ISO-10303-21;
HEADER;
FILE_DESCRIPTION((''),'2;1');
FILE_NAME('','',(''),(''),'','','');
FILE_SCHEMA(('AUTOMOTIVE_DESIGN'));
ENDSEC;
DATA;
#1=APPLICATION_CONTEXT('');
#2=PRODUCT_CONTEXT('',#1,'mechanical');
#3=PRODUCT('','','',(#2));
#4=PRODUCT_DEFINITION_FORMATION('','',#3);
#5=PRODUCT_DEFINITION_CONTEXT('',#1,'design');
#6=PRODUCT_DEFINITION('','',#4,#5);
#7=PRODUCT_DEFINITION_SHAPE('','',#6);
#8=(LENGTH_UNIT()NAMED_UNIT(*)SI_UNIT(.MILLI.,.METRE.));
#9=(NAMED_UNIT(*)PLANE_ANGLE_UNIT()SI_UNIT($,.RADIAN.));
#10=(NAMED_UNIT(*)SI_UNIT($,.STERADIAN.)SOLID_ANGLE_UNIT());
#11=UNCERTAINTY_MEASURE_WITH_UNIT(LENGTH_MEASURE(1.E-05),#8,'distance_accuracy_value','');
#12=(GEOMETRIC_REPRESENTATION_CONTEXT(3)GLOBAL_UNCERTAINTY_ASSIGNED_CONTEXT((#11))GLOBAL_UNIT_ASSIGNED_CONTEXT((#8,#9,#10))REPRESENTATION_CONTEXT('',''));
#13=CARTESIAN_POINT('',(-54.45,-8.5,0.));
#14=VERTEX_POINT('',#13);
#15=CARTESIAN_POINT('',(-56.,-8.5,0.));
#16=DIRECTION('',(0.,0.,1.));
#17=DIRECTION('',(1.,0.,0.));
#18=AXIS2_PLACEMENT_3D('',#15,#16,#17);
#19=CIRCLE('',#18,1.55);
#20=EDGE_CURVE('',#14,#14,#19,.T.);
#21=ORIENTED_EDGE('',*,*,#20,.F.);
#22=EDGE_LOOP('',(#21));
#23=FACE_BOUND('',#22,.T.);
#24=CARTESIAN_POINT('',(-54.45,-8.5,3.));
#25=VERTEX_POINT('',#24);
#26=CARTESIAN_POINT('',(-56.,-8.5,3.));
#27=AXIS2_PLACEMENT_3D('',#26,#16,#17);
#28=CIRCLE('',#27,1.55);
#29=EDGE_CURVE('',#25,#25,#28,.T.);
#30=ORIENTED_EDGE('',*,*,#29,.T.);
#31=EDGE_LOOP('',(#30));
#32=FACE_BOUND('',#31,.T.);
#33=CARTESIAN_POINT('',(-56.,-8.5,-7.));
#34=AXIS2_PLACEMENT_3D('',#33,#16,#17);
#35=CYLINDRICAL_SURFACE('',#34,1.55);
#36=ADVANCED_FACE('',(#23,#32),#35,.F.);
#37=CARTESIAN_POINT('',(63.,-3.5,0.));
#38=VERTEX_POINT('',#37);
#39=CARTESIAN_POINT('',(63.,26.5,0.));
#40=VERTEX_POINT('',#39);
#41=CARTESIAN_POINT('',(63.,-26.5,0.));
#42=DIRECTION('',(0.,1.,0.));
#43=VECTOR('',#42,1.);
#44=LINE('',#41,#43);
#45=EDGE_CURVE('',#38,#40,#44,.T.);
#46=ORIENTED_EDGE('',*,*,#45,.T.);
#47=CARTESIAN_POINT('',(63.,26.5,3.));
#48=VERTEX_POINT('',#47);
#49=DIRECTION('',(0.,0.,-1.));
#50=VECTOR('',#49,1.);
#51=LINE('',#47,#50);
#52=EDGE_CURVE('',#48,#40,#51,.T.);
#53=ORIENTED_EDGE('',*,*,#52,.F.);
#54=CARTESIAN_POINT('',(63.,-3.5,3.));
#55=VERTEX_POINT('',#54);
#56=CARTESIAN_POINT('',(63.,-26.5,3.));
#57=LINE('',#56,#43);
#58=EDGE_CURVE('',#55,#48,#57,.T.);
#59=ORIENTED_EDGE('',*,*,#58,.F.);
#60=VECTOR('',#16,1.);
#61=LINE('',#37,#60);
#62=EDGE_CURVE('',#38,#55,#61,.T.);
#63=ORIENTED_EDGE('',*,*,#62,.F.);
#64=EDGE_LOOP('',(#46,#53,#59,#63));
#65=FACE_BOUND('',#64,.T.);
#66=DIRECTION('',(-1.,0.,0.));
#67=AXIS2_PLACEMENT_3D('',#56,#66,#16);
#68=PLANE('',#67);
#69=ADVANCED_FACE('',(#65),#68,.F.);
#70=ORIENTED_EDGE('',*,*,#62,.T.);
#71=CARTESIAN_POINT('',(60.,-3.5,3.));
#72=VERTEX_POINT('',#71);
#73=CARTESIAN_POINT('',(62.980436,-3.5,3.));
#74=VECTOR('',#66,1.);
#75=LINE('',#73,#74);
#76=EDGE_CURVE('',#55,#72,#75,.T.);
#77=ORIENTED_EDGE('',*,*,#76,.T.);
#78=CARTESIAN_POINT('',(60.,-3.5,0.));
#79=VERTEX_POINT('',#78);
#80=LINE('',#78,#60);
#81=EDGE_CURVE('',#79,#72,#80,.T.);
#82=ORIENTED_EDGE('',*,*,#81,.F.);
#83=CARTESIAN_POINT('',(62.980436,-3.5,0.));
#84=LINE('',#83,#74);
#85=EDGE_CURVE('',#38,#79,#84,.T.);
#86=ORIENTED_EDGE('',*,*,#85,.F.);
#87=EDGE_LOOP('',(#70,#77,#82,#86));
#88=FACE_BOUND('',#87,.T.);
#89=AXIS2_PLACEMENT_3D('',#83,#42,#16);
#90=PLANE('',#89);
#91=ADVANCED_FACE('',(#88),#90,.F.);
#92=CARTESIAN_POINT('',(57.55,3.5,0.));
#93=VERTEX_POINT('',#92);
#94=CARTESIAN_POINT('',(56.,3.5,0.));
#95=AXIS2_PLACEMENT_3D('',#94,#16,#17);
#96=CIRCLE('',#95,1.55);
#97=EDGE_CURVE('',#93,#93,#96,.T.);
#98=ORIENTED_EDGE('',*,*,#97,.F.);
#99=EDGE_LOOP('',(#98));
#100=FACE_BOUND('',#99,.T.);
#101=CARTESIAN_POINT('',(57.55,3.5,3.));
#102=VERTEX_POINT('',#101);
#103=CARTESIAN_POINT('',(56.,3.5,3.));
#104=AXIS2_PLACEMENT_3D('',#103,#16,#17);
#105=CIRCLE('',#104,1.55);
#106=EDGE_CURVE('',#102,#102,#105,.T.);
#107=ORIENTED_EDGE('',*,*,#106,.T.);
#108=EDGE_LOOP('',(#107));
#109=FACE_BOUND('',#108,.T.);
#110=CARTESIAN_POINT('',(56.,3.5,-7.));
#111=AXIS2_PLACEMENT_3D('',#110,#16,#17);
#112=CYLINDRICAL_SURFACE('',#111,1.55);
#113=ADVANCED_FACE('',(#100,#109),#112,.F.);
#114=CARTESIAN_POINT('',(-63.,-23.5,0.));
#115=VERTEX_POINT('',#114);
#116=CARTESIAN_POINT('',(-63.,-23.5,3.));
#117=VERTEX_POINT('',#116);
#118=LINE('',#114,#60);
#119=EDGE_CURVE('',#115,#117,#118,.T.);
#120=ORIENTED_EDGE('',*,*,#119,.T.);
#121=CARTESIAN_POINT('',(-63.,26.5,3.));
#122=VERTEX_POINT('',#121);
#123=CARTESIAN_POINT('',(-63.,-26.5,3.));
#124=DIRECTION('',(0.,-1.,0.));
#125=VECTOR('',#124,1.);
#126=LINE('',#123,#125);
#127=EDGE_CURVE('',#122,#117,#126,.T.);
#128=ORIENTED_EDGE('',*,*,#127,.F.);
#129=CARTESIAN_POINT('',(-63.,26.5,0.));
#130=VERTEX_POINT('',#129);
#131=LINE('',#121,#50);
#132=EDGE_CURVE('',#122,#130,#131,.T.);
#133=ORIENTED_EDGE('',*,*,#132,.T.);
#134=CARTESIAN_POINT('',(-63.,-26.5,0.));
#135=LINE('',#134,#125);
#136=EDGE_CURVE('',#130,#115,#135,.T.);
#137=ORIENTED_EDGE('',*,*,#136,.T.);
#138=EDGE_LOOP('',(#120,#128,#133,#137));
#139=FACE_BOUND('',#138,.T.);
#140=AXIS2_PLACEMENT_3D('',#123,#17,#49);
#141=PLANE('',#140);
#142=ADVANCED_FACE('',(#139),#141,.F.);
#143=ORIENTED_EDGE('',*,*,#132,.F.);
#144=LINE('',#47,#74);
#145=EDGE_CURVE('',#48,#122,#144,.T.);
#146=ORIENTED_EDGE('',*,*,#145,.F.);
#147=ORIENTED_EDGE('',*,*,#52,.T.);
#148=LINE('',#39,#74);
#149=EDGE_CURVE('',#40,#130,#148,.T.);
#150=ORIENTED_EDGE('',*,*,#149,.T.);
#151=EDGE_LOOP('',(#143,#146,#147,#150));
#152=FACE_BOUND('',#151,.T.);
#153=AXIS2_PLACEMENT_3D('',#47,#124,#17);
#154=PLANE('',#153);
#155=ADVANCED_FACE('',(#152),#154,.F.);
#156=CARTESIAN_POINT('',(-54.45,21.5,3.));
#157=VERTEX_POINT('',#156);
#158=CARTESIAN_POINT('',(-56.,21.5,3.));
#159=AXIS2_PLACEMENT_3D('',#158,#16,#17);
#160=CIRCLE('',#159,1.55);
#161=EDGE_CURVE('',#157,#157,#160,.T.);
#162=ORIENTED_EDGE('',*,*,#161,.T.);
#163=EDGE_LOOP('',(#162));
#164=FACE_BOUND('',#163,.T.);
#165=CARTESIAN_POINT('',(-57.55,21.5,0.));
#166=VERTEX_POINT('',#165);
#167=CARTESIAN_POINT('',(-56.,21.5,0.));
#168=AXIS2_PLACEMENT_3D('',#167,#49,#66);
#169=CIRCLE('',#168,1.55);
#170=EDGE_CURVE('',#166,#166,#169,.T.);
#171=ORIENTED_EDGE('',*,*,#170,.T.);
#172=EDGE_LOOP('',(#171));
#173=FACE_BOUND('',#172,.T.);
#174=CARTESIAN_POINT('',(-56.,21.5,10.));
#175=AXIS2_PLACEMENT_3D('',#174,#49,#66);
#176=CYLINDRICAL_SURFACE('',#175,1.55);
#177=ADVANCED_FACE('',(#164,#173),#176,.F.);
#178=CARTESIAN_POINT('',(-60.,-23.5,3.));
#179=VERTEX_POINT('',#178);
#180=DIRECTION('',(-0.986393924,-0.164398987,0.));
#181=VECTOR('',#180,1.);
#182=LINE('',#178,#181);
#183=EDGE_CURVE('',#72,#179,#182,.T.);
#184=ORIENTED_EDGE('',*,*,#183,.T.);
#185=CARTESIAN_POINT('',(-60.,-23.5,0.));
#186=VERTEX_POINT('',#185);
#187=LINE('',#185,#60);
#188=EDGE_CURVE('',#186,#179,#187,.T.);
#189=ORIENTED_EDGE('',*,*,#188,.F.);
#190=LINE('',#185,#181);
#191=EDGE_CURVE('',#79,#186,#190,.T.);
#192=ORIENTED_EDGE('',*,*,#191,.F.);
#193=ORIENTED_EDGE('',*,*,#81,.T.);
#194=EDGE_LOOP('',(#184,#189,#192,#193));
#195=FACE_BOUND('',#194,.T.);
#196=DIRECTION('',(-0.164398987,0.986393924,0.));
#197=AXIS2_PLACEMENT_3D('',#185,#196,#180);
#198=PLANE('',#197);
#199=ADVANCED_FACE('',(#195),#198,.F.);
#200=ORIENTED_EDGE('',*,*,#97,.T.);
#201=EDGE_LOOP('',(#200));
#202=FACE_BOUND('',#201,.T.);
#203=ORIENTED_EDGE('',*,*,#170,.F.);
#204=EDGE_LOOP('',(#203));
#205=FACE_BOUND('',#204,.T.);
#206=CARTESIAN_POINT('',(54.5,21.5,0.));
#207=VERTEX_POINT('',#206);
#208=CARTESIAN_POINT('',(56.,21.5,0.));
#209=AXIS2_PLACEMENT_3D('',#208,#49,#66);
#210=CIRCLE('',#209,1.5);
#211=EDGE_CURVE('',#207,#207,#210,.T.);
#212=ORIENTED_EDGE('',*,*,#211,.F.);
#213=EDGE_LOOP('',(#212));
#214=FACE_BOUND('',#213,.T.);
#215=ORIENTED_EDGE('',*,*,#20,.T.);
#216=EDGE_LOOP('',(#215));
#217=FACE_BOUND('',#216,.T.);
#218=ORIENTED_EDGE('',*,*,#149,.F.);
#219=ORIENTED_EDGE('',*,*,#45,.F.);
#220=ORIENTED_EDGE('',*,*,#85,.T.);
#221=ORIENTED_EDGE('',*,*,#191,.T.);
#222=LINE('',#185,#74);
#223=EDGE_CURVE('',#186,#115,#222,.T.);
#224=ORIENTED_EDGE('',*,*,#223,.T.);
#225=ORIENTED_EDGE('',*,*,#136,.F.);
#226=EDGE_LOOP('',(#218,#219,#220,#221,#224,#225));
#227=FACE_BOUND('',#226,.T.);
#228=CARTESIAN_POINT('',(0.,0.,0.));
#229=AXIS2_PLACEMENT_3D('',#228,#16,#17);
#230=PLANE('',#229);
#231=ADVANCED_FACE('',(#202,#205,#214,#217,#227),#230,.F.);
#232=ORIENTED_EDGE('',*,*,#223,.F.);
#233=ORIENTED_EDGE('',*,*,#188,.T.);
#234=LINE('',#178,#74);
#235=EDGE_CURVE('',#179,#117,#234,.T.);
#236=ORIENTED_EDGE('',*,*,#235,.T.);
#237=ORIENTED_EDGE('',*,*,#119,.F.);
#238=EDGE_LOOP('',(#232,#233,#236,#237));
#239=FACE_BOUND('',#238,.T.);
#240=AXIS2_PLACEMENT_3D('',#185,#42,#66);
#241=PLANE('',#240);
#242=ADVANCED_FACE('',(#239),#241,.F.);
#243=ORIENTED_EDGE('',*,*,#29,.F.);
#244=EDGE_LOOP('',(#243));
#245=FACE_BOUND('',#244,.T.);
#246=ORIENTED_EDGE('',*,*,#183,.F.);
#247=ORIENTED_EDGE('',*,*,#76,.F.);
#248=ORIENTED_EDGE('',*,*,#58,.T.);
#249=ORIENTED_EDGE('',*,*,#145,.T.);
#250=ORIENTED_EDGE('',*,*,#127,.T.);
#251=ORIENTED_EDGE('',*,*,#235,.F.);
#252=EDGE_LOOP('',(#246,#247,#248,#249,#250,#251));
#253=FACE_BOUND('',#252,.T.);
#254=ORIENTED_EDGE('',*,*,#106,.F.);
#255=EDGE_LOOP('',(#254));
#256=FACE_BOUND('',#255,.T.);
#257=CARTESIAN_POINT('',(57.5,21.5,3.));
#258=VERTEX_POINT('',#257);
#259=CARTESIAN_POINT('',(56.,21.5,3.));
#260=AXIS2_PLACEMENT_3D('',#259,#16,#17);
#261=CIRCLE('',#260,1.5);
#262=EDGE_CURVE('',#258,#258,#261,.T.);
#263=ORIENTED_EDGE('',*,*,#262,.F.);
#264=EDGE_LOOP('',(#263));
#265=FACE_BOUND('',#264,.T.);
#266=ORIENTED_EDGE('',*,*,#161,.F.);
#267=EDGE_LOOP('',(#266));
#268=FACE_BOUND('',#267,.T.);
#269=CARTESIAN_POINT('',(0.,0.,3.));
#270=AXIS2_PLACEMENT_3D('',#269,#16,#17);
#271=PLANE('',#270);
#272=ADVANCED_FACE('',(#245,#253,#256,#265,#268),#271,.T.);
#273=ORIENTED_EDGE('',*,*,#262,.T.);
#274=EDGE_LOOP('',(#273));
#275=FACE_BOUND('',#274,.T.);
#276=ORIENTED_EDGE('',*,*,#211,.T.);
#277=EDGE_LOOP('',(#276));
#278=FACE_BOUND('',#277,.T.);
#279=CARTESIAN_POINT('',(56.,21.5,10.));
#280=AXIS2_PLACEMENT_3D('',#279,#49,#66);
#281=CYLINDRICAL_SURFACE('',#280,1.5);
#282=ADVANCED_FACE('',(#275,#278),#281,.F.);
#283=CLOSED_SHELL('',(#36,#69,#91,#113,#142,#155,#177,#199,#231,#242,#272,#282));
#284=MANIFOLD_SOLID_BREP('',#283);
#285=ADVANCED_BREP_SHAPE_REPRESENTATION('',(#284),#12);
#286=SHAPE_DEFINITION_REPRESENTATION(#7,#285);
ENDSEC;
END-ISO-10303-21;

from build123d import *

# Parameters (mm, degrees)
SKETCH_1_W          = 126
SKETCH_1_H          = 53
EXTRUDE_1_DEPTH     = 3
SKETCH_2_R          = 1.55
SKETCH_2_R_2        = 1.5
CUT_EXTRUDE_1_DEPTH = 10
SKETCH_3_R          = 1.55
CUT_EXTRUDE_2_DEPTH = 10
SKETCH_5_R          = 1.55
CUT_EXTRUDE_5_DEPTH = 10
CUT_EXTRUDE_7_DEPTH = 69.412352686


with BuildPart() as part:
    # 草图1 → 凸台-拉伸1 (new body)
    with BuildSketch(Plane.XY):
        Rectangle(SKETCH_1_W, SKETCH_1_H)
    extrude(amount=EXTRUDE_1_DEPTH)

    # 草图2 → 切除-拉伸1 (cut)
    with BuildSketch(Plane(origin=(0, 0, 0), x_dir=(-1, 0, 0), z_dir=(0, 0, -1))):
        with Locations((56, 21.5)):
            Circle(SKETCH_2_R)
        with Locations((-56, 21.5)):
            Circle(SKETCH_2_R_2)
    extrude(amount=-CUT_EXTRUDE_1_DEPTH, mode=Mode.SUBTRACT)

    # 草图3 → 切除-拉伸2 (cut)
    with BuildSketch(Plane.XY.offset(3)):
        with Locations((-56, -8.5)):
            Circle(SKETCH_3_R)
        with Locations((56, -8.5)):
            Circle(SKETCH_3_R)
    extrude(amount=-CUT_EXTRUDE_2_DEPTH, mode=Mode.SUBTRACT)

    # 草图5 → 切除-拉伸5 (cut)
    with BuildSketch(Plane.XY.offset(3)):
        with Locations((56, 3.5)):
            Circle(SKETCH_5_R)
    extrude(amount=-CUT_EXTRUDE_5_DEPTH, mode=Mode.SUBTRACT)

    # 草图6 → 切除-拉伸7 (cut, through all)
    with BuildSketch(Plane.XY.offset(3)):
        Polygon((62.980435582, -3.5), (60, -3.5), (-60, -23.5), (-63, -23.5), (-63, -26.5), (63, -26.5), (63, -3.5), align=None)
    extrude(amount=-CUT_EXTRUDE_7_DEPTH, mode=Mode.SUBTRACT)


solid = part.part
